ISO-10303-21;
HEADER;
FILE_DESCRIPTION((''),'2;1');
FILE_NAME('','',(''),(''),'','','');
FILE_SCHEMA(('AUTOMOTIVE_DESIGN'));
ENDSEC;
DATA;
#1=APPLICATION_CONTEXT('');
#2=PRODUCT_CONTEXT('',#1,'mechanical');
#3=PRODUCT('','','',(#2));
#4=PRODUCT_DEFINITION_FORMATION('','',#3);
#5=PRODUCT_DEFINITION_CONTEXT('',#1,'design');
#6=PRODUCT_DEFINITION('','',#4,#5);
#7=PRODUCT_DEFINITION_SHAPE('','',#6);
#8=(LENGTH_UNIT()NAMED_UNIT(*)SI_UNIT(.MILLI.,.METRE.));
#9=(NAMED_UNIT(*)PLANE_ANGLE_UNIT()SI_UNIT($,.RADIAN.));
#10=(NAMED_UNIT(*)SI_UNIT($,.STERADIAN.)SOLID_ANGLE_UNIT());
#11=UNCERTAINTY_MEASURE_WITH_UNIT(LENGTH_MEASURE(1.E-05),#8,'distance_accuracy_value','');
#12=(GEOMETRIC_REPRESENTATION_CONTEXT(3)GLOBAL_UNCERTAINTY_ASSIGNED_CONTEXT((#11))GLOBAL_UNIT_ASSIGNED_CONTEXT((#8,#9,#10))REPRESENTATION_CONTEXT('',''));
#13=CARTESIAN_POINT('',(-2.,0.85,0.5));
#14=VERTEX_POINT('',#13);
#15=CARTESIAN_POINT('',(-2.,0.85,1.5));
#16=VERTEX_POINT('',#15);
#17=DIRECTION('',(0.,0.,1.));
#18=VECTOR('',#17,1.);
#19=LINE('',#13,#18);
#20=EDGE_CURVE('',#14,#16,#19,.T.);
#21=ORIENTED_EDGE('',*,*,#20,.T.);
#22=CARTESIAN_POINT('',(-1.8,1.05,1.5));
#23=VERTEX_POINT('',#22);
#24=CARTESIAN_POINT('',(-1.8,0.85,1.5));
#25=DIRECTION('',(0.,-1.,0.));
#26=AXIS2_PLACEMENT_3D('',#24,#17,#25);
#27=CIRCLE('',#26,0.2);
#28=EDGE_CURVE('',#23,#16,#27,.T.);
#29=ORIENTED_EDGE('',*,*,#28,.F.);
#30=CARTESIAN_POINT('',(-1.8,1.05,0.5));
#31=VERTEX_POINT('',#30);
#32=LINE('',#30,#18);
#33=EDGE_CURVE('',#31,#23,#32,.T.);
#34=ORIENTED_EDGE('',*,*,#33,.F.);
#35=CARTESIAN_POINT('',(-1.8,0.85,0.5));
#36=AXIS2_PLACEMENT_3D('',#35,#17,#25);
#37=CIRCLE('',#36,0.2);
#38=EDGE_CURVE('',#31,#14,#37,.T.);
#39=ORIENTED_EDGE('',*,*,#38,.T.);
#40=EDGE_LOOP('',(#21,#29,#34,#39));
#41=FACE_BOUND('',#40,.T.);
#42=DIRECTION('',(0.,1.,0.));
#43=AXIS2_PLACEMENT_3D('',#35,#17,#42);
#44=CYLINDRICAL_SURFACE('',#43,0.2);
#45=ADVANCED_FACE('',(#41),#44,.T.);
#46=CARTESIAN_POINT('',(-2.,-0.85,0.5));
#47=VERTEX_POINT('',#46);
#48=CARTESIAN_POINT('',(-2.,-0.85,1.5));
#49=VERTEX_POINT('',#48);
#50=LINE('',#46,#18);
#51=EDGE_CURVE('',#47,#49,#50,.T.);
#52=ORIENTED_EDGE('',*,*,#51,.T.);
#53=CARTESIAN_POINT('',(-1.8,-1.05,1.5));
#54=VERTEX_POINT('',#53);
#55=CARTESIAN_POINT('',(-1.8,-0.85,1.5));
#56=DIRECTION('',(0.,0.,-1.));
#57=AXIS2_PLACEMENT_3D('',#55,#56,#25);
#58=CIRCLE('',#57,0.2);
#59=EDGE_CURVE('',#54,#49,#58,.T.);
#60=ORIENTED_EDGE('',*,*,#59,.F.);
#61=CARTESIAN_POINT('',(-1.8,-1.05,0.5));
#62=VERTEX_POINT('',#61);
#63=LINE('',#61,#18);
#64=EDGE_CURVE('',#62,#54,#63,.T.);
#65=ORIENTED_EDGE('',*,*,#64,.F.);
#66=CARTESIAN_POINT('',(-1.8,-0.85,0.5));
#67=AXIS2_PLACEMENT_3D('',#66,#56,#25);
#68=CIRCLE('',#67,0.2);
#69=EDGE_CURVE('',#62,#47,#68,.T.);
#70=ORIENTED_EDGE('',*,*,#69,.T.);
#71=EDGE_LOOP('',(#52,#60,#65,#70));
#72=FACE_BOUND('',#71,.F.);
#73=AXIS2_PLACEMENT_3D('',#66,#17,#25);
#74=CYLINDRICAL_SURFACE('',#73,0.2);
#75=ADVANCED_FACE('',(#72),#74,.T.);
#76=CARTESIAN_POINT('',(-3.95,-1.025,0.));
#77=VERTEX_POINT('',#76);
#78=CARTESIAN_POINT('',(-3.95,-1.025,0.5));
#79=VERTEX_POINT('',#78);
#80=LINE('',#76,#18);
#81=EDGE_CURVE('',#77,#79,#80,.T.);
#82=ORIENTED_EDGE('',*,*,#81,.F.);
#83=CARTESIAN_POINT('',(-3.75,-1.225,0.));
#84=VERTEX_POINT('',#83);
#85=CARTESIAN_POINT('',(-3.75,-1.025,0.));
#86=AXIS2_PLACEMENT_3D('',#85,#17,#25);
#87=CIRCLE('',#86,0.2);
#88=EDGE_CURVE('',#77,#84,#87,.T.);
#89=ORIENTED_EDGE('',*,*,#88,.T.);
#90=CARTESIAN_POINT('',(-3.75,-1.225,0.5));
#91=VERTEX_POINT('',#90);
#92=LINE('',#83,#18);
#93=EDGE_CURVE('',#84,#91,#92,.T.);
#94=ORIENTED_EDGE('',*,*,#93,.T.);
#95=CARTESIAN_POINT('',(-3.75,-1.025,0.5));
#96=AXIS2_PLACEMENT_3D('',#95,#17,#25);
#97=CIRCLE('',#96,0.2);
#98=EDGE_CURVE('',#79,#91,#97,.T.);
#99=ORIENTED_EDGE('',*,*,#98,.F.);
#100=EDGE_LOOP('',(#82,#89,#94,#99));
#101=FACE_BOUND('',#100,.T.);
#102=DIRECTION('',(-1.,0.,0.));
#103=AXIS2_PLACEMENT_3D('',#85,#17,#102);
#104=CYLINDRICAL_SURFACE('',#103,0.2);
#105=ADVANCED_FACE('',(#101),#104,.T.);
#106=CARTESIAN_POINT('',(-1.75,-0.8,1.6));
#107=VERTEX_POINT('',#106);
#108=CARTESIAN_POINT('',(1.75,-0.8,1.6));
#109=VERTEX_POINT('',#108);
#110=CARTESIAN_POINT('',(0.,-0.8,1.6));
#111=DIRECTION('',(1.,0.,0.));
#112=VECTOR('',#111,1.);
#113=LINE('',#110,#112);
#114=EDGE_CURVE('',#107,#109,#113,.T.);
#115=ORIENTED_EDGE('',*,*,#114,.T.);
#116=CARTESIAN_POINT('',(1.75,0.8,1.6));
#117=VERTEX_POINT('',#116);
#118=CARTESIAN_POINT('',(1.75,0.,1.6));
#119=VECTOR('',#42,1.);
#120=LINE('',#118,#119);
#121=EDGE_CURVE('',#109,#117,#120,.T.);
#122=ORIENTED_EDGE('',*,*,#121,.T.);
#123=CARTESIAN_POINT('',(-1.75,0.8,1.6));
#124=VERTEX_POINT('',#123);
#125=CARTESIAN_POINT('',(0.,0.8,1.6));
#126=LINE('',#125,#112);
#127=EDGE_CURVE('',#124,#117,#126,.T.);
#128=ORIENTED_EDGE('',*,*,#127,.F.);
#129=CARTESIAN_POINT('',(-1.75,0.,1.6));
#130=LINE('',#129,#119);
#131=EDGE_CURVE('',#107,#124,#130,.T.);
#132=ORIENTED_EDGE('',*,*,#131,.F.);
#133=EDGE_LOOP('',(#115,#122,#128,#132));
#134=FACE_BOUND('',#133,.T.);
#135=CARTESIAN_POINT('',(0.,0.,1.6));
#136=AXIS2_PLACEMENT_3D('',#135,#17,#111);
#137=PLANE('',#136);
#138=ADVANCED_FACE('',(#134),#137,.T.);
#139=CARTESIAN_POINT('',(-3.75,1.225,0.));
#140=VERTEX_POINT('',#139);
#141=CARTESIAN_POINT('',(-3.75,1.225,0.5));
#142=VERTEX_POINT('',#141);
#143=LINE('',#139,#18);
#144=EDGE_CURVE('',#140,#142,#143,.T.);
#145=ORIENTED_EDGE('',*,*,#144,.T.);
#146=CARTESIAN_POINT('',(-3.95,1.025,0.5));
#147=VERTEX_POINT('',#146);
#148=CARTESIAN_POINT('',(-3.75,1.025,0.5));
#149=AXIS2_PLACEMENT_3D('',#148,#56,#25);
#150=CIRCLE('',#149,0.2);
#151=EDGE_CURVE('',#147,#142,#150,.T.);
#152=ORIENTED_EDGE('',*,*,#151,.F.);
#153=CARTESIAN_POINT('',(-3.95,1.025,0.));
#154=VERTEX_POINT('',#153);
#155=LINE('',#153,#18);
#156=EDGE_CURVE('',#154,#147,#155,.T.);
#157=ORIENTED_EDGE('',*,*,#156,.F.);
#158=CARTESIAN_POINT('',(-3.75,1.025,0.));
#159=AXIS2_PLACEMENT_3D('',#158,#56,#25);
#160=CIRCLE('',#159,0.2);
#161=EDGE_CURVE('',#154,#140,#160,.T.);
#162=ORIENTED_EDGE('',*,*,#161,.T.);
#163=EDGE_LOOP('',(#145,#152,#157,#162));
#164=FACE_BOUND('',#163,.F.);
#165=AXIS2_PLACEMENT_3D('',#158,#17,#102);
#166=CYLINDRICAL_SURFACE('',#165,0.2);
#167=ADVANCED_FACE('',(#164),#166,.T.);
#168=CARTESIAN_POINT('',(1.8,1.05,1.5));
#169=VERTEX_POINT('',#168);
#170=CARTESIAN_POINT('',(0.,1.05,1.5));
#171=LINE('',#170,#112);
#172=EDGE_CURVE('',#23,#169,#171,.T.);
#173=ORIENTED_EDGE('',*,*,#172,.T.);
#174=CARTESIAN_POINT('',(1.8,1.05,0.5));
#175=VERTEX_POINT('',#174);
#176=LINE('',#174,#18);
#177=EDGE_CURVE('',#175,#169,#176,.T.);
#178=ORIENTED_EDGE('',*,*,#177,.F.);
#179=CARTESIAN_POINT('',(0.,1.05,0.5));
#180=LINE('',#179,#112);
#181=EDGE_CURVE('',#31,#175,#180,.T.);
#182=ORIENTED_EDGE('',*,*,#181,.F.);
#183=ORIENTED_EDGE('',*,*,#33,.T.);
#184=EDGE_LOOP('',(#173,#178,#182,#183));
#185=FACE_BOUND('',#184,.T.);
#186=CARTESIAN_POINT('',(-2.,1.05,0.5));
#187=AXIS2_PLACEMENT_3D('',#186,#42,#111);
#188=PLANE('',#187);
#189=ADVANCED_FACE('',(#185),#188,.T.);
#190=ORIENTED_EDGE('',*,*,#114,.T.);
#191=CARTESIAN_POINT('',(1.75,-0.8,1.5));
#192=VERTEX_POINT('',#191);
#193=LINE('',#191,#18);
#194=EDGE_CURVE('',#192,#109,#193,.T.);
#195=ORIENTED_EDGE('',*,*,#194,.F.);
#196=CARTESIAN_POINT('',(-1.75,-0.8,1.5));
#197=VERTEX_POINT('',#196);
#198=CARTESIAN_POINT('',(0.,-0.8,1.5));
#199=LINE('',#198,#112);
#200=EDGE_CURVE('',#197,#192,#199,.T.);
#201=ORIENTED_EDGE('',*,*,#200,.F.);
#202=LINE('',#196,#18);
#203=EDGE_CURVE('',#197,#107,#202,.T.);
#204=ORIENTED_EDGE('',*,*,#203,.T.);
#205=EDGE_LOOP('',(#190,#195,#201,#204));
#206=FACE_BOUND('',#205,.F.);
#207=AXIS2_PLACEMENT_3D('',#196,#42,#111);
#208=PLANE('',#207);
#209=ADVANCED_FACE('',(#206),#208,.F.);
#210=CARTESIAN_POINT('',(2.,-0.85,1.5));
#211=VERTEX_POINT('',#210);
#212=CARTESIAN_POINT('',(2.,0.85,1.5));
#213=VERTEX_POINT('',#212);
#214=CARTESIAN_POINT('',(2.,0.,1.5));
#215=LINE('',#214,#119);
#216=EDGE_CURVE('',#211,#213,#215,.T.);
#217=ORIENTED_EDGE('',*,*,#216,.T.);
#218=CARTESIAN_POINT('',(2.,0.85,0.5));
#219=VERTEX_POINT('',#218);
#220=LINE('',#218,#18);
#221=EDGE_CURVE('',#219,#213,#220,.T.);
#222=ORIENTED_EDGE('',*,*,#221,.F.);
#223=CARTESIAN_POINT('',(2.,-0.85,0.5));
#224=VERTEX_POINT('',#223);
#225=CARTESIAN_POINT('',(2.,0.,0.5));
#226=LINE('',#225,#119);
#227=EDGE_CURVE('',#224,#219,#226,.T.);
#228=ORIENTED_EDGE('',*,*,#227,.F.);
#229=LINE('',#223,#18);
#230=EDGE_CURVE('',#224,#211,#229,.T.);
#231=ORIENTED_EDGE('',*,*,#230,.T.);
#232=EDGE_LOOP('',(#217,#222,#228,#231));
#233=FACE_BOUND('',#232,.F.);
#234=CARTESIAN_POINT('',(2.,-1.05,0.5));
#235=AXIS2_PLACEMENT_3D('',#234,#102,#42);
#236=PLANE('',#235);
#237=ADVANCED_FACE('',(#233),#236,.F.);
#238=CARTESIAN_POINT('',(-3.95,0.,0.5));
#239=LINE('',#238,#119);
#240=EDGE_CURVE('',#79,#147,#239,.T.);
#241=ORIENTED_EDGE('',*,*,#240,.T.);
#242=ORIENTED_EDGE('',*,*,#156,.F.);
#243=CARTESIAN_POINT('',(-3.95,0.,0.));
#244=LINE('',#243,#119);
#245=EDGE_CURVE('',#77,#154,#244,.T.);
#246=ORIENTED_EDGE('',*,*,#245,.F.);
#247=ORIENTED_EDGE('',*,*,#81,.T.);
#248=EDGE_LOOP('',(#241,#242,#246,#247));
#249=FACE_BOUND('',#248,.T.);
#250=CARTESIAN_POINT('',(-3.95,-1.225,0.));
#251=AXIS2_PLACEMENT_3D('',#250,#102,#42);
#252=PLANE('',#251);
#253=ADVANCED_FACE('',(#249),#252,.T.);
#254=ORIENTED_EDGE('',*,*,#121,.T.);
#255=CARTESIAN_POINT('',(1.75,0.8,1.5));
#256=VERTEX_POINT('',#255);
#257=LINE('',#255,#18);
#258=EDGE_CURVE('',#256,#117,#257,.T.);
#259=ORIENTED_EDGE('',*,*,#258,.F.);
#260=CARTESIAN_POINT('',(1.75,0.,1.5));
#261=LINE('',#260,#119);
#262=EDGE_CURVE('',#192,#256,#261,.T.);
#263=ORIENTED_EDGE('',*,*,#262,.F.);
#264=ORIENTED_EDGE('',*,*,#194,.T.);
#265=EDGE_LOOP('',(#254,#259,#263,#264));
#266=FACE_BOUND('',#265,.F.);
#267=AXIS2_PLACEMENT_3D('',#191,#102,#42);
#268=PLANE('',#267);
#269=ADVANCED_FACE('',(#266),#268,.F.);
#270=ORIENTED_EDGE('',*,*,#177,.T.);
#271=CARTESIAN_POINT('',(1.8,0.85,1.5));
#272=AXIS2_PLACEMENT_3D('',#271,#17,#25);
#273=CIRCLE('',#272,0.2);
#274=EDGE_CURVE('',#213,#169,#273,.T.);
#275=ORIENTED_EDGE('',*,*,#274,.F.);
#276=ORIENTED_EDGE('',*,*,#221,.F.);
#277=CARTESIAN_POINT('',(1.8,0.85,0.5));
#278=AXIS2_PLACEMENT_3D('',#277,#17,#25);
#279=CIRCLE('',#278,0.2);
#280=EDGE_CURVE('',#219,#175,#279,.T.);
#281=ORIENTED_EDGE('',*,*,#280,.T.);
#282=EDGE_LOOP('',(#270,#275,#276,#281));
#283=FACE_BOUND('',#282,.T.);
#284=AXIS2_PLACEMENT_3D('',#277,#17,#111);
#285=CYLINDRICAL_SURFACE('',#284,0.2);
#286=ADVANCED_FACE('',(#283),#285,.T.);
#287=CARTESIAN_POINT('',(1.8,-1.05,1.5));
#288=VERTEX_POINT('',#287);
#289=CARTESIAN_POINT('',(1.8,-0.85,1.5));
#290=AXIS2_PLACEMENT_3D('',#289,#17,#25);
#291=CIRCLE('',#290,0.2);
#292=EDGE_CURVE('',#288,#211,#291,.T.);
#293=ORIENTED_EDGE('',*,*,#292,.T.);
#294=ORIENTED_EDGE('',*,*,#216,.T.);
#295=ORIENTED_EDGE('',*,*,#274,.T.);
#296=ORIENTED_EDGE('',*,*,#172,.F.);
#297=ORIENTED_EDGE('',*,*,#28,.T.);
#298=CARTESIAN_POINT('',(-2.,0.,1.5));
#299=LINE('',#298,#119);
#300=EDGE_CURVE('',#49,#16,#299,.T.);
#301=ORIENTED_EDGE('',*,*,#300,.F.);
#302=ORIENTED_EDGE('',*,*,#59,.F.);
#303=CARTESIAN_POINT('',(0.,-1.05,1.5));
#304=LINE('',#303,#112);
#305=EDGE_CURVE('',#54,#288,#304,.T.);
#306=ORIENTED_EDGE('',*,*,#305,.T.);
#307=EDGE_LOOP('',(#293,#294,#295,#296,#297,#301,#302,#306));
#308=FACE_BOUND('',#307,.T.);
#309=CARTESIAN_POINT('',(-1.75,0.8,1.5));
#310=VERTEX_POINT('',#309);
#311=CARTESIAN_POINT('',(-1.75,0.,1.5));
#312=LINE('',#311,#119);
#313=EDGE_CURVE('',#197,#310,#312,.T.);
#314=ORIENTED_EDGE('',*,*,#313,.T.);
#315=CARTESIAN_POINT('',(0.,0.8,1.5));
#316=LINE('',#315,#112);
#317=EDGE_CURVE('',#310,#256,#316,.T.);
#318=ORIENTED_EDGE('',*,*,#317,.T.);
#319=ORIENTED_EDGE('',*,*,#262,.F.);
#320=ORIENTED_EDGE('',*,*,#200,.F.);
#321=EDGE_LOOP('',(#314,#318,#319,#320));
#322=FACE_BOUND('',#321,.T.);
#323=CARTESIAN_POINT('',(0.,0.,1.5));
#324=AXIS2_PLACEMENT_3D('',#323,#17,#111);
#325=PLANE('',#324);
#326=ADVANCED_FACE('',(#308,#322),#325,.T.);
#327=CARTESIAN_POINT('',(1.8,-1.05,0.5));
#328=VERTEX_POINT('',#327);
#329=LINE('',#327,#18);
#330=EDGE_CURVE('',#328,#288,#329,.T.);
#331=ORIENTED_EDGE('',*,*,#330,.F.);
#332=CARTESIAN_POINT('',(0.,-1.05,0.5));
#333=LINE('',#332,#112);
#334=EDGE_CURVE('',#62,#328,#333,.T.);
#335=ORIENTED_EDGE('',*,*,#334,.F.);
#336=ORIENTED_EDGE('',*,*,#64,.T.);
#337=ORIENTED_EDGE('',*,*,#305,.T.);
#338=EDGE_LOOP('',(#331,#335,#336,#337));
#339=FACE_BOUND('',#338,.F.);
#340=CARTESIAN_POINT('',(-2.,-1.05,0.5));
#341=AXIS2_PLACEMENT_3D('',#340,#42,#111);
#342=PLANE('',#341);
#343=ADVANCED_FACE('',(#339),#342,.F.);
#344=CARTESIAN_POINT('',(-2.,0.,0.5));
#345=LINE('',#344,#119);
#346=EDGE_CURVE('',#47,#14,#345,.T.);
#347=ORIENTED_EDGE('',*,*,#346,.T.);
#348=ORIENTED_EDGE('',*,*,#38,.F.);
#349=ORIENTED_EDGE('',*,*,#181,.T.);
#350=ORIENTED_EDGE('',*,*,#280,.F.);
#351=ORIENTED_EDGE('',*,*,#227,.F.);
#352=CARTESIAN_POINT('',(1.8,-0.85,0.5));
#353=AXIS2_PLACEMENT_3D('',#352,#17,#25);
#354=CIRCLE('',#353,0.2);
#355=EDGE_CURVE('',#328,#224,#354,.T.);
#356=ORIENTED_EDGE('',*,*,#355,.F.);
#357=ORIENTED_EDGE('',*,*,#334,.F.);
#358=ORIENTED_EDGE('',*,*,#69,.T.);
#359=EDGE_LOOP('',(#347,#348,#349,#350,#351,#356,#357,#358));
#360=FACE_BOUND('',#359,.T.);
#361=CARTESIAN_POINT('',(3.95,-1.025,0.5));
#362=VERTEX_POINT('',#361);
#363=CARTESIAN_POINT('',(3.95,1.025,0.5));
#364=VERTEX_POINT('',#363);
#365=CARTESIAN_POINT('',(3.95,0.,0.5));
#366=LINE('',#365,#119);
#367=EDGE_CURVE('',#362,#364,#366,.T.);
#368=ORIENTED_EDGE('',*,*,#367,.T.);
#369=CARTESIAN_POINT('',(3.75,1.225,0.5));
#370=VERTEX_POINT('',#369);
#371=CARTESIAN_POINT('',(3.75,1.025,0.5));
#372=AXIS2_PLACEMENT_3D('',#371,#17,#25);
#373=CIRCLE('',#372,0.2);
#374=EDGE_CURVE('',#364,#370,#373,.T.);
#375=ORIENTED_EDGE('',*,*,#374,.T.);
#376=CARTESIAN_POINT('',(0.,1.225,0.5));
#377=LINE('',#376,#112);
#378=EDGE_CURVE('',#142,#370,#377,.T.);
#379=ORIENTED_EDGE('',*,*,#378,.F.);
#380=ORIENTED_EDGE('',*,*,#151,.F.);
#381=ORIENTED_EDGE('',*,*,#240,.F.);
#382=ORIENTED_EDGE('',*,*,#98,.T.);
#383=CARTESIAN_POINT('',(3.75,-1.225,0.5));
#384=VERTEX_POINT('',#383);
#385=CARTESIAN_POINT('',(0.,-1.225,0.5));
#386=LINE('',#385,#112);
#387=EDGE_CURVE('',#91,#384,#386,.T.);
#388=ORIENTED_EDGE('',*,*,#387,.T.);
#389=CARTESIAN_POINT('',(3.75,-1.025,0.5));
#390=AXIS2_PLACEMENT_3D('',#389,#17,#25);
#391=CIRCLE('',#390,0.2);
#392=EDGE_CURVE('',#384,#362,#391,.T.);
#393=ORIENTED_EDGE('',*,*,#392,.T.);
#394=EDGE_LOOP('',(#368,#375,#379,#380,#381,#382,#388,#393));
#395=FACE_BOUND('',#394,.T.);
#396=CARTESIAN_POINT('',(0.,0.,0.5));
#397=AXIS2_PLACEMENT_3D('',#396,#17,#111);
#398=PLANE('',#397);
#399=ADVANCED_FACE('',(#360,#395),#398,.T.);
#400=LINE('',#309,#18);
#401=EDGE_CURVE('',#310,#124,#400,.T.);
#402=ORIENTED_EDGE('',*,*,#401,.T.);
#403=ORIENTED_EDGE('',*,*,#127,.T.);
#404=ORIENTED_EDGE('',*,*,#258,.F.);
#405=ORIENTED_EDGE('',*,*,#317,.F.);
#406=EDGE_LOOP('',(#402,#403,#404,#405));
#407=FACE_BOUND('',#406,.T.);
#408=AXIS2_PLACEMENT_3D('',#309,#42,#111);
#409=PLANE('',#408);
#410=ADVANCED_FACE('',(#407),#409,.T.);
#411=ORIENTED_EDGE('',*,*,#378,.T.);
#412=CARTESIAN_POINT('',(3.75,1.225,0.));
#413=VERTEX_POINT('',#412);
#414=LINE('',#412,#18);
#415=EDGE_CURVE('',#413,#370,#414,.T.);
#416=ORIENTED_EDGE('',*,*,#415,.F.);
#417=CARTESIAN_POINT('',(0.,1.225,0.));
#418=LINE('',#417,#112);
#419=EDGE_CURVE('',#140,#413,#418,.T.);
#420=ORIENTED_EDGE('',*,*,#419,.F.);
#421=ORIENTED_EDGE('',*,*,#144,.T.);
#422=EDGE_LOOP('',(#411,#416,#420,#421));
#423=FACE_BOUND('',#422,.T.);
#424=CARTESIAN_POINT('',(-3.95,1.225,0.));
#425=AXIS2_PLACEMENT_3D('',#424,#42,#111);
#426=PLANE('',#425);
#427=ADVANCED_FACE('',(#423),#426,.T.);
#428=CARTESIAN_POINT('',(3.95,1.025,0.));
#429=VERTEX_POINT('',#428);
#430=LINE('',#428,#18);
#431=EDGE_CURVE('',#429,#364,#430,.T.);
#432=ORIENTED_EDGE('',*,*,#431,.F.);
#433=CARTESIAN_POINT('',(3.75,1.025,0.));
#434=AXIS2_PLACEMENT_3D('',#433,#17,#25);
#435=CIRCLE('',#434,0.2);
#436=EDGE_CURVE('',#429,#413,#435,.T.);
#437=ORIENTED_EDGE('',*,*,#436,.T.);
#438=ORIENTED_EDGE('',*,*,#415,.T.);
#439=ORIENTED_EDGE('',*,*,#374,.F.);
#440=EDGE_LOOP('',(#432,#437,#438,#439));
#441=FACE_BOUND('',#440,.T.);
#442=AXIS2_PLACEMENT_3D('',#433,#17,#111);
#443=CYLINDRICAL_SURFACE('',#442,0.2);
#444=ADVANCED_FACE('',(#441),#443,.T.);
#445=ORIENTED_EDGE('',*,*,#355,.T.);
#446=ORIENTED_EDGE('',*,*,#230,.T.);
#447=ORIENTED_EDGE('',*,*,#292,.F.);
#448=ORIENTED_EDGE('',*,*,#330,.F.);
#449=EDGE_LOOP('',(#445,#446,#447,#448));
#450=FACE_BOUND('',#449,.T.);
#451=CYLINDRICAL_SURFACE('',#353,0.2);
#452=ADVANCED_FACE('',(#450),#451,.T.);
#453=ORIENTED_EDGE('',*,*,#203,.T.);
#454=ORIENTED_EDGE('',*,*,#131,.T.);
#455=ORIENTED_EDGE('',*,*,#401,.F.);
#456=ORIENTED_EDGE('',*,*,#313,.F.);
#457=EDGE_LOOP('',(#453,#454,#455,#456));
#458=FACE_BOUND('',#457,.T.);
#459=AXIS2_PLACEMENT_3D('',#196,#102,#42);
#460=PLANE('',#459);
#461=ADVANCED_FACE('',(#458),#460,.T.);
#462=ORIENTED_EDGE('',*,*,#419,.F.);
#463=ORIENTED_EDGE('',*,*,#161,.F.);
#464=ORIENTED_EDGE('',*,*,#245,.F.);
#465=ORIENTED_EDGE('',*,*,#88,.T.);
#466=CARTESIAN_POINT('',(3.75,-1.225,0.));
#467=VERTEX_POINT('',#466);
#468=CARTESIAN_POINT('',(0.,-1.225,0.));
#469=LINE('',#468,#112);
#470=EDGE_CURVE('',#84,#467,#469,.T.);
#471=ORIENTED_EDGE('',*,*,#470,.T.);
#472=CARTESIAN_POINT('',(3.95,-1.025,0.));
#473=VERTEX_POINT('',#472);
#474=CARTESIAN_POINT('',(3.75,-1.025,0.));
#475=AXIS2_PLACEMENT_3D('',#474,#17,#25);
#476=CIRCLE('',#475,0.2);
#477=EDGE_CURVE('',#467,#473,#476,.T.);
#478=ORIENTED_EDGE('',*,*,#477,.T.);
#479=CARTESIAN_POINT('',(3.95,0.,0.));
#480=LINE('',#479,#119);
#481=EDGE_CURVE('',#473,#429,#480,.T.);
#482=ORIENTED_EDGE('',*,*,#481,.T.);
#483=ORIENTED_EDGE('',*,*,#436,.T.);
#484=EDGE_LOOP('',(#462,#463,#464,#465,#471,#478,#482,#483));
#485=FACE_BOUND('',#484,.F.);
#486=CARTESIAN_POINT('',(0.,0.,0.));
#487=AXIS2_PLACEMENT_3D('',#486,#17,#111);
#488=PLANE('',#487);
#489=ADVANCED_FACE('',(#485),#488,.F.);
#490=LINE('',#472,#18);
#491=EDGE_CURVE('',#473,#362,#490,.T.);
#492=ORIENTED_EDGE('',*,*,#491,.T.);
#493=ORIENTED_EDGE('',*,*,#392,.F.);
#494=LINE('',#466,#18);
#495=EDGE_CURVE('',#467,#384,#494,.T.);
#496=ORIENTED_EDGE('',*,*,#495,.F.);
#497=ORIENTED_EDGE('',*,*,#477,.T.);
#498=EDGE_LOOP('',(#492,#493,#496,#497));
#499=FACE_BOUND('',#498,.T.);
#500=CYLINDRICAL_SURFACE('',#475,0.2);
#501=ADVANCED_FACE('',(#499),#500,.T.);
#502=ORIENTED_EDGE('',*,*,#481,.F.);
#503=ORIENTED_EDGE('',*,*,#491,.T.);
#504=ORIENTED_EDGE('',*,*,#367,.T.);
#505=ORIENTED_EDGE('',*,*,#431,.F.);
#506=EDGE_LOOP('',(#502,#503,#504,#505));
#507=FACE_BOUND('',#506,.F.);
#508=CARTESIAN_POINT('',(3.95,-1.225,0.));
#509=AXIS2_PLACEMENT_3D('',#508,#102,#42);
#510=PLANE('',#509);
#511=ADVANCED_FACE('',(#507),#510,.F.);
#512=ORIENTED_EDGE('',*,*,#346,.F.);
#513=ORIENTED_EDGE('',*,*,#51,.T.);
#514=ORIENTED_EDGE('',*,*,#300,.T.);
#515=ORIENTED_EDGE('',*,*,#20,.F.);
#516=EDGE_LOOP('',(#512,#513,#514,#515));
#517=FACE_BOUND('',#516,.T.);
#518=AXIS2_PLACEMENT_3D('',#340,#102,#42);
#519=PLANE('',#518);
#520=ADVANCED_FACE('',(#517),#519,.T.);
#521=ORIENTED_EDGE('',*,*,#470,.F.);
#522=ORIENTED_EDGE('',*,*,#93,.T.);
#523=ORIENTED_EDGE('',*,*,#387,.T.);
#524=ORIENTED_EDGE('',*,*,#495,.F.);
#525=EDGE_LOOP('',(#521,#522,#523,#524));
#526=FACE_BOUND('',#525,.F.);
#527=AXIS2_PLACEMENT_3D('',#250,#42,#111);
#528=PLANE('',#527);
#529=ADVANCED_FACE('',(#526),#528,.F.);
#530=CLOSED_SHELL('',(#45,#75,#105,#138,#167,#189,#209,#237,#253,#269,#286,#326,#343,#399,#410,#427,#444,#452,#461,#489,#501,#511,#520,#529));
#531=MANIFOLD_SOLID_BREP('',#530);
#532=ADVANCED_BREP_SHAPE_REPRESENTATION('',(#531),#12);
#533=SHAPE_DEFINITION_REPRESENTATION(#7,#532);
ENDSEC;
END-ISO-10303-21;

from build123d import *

# Parameters (mm, degrees)
F0_W     = 7.9
F0_H     = 2.45
F1_DEPTH = 0.5
F2_R     = 0.2
F3_W     = 4
F3_H     = 2.1
F4_DEPTH = 1
F5_R     = 0.2
F6_W     = 3.5
F6_H     = 1.6
F7_DEPTH = 0.1


with BuildPart() as f1:
    # F0 (on Top) → F1 (new body)
    with BuildSketch(Plane.XY):
        Rectangle(F0_W, F0_H)
    extrude(amount=F1_DEPTH)

    # F2
    f2_edges = [f1.edges().sort_by_distance(p)[0] for p in [
        (-3.95, -1.225, 0.25),
        (3.95, -1.225, 0.25),
        (3.95, 1.225, 0.25),
        (-3.95, 1.225, 0.25),
    ]]
    fillet(f2_edges, radius=F2_R)

    # F3 (on face) → F4 (join)
    with BuildSketch(Plane.XY.offset(0.5)):
        Rectangle(F3_W, F3_H)
    extrude(amount=F4_DEPTH)

    # F5
    f5_edges = [f1.edges().sort_by_distance(p)[0] for p in [
        (-2, -1.05, 1),
        (2, -1.05, 1),
        (2, 1.05, 1),
        (-2, 1.05, 1),
    ]]
    fillet(f5_edges, radius=F5_R)

    # F6 (on face) → F7 (join)
    with BuildSketch(Plane.XY.offset(1.5)):
        Rectangle(F6_W, F6_H)
    extrude(amount=F7_DEPTH)


solid = f1.part
